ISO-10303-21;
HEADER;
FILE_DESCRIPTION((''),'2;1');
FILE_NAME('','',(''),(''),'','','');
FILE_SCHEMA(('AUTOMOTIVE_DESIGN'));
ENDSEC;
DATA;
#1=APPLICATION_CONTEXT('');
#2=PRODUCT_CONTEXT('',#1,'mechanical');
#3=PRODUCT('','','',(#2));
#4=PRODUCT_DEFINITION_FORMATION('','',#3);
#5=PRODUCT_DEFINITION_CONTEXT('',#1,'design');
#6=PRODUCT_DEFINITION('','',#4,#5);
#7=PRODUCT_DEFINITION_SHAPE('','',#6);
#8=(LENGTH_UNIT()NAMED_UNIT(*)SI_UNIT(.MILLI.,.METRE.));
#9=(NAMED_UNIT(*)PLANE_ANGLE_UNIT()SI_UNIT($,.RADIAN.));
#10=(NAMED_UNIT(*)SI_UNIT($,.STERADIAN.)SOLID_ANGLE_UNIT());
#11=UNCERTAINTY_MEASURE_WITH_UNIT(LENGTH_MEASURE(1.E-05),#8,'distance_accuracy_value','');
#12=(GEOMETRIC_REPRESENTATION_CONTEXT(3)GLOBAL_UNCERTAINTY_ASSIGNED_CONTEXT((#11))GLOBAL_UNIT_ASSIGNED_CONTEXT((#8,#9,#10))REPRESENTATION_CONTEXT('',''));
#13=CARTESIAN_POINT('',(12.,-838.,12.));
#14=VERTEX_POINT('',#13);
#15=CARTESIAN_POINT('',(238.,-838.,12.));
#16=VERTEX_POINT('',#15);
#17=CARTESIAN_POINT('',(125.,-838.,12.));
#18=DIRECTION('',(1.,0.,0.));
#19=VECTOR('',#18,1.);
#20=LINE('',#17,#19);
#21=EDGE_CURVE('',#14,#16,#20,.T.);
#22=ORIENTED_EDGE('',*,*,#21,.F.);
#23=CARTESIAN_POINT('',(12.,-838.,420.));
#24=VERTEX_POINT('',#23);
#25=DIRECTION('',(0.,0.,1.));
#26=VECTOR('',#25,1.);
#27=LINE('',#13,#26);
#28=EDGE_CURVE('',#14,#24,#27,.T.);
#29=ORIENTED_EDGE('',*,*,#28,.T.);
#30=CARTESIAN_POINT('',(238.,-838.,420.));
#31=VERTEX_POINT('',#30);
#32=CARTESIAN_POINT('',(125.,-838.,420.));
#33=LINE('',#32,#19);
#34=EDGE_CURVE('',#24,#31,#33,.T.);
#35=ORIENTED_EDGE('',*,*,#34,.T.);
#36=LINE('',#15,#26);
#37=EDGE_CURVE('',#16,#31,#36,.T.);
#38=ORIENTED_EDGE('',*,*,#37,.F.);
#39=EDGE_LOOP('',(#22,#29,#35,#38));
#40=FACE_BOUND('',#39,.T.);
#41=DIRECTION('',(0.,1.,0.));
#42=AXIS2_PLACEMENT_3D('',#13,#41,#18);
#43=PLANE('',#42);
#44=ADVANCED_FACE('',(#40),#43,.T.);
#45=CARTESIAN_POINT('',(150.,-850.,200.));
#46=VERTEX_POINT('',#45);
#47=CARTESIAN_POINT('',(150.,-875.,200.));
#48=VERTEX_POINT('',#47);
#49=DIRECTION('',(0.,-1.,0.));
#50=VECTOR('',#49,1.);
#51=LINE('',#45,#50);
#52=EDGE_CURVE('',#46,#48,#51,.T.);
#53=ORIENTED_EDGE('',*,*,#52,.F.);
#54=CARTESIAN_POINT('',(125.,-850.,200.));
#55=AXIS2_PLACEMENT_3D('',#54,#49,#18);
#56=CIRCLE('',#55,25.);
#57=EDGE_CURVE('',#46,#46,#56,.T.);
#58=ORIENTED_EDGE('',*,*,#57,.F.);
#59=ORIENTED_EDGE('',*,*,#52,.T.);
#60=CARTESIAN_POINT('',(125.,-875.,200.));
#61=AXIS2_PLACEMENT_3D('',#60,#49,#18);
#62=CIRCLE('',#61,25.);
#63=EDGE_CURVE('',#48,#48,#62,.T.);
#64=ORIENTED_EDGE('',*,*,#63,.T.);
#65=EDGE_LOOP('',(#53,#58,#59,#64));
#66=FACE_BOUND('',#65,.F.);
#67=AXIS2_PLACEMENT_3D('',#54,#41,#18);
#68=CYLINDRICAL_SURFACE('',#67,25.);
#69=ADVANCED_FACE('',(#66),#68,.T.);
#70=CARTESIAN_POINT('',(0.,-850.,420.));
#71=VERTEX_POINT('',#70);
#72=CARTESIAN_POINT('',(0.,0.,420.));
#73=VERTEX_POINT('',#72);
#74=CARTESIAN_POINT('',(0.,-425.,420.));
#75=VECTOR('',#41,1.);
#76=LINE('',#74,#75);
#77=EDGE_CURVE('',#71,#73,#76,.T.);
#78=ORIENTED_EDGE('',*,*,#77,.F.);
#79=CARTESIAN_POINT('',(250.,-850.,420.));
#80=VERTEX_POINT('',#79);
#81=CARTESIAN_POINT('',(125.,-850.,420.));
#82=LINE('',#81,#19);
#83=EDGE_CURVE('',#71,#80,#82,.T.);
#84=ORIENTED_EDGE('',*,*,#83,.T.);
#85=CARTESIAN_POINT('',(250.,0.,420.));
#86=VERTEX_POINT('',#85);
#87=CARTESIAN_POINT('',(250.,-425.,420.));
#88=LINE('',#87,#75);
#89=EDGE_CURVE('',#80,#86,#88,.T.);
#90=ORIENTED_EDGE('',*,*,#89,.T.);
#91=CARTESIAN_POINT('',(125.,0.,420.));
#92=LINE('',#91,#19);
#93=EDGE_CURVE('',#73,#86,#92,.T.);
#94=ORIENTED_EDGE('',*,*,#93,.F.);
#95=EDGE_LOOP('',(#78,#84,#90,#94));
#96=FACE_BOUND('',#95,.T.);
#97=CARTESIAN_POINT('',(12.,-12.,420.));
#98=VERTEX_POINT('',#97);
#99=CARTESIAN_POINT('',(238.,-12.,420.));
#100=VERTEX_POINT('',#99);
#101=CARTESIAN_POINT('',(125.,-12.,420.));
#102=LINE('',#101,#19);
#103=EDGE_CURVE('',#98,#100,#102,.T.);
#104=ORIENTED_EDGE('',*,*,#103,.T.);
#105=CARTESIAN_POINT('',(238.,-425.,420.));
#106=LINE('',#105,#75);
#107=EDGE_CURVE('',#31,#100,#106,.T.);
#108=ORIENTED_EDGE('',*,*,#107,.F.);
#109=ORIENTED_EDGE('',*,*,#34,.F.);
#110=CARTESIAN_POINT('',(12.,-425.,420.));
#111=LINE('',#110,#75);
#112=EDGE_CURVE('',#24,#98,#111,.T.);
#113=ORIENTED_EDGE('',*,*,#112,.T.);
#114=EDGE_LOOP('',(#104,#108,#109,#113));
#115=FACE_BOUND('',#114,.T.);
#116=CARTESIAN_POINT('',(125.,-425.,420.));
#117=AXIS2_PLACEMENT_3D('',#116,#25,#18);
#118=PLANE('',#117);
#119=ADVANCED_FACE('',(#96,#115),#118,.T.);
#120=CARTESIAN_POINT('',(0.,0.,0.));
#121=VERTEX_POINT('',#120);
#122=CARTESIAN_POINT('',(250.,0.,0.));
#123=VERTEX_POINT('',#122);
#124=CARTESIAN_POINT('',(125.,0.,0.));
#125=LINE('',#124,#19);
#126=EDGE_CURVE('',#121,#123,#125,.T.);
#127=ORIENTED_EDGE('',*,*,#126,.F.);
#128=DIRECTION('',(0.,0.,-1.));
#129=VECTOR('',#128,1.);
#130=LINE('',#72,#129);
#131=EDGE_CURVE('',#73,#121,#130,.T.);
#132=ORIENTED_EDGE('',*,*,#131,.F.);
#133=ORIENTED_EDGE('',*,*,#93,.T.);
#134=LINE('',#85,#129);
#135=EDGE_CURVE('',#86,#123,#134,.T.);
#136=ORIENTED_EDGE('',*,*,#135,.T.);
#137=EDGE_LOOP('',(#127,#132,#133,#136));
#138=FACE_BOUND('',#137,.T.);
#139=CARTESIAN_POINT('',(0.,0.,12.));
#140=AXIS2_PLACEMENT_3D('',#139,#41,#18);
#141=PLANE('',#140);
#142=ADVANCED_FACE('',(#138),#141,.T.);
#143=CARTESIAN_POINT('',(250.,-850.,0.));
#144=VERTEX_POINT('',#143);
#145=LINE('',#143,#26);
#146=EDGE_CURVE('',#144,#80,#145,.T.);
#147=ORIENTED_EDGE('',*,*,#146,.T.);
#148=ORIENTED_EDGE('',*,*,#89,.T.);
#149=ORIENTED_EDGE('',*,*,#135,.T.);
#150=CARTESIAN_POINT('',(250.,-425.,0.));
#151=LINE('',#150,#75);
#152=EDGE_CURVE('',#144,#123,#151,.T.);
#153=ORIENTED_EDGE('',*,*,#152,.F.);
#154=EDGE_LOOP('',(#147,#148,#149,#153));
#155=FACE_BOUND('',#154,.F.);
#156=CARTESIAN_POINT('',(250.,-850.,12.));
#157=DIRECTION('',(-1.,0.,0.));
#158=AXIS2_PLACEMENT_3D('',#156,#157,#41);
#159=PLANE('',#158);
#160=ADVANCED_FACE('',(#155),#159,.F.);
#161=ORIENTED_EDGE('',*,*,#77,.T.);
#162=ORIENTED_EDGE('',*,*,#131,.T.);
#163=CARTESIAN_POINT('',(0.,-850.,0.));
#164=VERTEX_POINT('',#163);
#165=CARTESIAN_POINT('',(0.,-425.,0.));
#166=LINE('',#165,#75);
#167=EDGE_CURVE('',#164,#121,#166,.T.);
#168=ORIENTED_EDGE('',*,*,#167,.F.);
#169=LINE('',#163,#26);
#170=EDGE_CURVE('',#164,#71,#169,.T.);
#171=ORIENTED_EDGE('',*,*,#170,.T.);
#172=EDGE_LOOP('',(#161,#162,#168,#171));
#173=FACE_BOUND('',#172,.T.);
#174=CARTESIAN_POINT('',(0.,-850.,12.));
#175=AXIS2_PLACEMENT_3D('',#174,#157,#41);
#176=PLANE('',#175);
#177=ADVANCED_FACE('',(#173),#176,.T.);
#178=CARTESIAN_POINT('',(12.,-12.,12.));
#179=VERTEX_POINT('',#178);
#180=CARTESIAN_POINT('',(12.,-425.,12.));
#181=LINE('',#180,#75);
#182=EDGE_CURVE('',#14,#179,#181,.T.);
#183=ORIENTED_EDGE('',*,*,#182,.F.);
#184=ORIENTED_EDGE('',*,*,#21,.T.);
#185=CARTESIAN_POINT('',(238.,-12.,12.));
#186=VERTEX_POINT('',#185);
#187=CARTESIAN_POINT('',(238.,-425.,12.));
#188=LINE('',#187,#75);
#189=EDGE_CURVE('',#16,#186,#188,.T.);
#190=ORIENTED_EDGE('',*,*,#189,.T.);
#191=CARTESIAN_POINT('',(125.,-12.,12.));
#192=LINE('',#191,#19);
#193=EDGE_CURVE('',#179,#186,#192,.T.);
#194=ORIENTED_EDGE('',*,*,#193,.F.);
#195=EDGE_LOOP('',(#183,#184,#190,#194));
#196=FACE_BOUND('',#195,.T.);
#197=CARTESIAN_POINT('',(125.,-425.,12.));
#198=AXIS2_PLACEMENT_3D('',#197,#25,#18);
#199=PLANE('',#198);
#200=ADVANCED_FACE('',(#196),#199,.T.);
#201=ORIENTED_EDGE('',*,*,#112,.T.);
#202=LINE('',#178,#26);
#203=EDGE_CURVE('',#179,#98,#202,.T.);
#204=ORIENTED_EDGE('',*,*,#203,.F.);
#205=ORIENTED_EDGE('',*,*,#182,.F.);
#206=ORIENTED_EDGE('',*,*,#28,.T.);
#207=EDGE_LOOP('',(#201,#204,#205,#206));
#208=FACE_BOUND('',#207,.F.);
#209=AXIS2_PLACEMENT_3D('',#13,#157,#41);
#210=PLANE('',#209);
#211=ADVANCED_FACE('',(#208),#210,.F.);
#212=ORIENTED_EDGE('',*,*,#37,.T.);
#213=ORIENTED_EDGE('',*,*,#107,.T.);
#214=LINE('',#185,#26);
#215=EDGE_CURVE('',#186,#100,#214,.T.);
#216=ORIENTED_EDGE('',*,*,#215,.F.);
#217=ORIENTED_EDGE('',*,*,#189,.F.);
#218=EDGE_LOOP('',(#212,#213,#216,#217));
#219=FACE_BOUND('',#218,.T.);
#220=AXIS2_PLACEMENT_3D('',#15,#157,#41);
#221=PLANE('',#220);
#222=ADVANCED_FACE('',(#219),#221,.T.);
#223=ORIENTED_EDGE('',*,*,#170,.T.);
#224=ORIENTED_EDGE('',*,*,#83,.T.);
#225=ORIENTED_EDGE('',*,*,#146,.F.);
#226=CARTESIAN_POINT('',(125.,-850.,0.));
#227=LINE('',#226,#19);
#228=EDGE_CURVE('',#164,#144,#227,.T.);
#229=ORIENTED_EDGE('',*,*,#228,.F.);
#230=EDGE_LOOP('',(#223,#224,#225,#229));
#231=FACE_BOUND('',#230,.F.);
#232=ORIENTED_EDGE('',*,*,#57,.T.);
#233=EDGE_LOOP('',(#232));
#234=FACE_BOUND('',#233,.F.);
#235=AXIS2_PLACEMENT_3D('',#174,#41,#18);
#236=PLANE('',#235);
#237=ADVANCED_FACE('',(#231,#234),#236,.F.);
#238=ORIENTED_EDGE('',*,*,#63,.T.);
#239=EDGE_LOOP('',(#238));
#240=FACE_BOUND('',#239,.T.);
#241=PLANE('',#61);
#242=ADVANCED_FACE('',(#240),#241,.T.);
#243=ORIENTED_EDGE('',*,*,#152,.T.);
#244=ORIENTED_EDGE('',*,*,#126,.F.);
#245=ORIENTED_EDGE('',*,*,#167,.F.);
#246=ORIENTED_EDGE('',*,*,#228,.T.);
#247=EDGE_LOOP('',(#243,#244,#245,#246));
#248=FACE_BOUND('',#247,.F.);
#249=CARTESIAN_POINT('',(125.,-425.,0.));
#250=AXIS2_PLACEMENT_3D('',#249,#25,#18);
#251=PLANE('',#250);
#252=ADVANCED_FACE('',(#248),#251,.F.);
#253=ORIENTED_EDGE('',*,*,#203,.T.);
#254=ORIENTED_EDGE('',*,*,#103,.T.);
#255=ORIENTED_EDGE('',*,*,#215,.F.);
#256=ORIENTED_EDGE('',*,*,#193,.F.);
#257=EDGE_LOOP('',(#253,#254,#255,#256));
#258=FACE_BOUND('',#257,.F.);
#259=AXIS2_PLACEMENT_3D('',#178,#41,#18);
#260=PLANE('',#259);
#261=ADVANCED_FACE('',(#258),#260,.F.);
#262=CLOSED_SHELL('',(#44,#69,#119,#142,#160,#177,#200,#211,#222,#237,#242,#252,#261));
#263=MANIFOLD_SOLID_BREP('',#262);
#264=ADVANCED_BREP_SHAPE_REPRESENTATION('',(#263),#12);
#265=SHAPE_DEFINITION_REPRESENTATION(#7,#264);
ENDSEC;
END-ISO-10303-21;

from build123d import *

# Parameters (mm, degrees)
F0_W     = 250
F0_H     = 850
F1_DEPTH = 12
F2_W     = 250
F2_H     = 850
F2_W_2   = 226
F2_H_2   = 826
F3_DEPTH = 408
F4_R     = 25
F5_DEPTH = 25


with BuildPart() as f1:
    # F0 (on Top) → F1 (new body)
    with BuildSketch(Plane.XY):
        with Locations((125, -425)):
            Rectangle(F0_W, F0_H)
    extrude(amount=F1_DEPTH)

    # F2 (on face) → F3 (join)
    with BuildSketch(Plane.XY.offset(12)):
        with Locations((125, -425)):
            Rectangle(F2_W, F2_H)
        with Locations((125, -425)):
            Rectangle(F2_W_2, F2_H_2, mode=Mode.SUBTRACT)
    extrude(amount=F3_DEPTH)

    # F4 (on face) → F5 (join)
    with BuildSketch(Plane.XZ.offset(850)):
        with Locations((125, 200)):
            Circle(F4_R)
    extrude(amount=F5_DEPTH)


solid = f1.part
